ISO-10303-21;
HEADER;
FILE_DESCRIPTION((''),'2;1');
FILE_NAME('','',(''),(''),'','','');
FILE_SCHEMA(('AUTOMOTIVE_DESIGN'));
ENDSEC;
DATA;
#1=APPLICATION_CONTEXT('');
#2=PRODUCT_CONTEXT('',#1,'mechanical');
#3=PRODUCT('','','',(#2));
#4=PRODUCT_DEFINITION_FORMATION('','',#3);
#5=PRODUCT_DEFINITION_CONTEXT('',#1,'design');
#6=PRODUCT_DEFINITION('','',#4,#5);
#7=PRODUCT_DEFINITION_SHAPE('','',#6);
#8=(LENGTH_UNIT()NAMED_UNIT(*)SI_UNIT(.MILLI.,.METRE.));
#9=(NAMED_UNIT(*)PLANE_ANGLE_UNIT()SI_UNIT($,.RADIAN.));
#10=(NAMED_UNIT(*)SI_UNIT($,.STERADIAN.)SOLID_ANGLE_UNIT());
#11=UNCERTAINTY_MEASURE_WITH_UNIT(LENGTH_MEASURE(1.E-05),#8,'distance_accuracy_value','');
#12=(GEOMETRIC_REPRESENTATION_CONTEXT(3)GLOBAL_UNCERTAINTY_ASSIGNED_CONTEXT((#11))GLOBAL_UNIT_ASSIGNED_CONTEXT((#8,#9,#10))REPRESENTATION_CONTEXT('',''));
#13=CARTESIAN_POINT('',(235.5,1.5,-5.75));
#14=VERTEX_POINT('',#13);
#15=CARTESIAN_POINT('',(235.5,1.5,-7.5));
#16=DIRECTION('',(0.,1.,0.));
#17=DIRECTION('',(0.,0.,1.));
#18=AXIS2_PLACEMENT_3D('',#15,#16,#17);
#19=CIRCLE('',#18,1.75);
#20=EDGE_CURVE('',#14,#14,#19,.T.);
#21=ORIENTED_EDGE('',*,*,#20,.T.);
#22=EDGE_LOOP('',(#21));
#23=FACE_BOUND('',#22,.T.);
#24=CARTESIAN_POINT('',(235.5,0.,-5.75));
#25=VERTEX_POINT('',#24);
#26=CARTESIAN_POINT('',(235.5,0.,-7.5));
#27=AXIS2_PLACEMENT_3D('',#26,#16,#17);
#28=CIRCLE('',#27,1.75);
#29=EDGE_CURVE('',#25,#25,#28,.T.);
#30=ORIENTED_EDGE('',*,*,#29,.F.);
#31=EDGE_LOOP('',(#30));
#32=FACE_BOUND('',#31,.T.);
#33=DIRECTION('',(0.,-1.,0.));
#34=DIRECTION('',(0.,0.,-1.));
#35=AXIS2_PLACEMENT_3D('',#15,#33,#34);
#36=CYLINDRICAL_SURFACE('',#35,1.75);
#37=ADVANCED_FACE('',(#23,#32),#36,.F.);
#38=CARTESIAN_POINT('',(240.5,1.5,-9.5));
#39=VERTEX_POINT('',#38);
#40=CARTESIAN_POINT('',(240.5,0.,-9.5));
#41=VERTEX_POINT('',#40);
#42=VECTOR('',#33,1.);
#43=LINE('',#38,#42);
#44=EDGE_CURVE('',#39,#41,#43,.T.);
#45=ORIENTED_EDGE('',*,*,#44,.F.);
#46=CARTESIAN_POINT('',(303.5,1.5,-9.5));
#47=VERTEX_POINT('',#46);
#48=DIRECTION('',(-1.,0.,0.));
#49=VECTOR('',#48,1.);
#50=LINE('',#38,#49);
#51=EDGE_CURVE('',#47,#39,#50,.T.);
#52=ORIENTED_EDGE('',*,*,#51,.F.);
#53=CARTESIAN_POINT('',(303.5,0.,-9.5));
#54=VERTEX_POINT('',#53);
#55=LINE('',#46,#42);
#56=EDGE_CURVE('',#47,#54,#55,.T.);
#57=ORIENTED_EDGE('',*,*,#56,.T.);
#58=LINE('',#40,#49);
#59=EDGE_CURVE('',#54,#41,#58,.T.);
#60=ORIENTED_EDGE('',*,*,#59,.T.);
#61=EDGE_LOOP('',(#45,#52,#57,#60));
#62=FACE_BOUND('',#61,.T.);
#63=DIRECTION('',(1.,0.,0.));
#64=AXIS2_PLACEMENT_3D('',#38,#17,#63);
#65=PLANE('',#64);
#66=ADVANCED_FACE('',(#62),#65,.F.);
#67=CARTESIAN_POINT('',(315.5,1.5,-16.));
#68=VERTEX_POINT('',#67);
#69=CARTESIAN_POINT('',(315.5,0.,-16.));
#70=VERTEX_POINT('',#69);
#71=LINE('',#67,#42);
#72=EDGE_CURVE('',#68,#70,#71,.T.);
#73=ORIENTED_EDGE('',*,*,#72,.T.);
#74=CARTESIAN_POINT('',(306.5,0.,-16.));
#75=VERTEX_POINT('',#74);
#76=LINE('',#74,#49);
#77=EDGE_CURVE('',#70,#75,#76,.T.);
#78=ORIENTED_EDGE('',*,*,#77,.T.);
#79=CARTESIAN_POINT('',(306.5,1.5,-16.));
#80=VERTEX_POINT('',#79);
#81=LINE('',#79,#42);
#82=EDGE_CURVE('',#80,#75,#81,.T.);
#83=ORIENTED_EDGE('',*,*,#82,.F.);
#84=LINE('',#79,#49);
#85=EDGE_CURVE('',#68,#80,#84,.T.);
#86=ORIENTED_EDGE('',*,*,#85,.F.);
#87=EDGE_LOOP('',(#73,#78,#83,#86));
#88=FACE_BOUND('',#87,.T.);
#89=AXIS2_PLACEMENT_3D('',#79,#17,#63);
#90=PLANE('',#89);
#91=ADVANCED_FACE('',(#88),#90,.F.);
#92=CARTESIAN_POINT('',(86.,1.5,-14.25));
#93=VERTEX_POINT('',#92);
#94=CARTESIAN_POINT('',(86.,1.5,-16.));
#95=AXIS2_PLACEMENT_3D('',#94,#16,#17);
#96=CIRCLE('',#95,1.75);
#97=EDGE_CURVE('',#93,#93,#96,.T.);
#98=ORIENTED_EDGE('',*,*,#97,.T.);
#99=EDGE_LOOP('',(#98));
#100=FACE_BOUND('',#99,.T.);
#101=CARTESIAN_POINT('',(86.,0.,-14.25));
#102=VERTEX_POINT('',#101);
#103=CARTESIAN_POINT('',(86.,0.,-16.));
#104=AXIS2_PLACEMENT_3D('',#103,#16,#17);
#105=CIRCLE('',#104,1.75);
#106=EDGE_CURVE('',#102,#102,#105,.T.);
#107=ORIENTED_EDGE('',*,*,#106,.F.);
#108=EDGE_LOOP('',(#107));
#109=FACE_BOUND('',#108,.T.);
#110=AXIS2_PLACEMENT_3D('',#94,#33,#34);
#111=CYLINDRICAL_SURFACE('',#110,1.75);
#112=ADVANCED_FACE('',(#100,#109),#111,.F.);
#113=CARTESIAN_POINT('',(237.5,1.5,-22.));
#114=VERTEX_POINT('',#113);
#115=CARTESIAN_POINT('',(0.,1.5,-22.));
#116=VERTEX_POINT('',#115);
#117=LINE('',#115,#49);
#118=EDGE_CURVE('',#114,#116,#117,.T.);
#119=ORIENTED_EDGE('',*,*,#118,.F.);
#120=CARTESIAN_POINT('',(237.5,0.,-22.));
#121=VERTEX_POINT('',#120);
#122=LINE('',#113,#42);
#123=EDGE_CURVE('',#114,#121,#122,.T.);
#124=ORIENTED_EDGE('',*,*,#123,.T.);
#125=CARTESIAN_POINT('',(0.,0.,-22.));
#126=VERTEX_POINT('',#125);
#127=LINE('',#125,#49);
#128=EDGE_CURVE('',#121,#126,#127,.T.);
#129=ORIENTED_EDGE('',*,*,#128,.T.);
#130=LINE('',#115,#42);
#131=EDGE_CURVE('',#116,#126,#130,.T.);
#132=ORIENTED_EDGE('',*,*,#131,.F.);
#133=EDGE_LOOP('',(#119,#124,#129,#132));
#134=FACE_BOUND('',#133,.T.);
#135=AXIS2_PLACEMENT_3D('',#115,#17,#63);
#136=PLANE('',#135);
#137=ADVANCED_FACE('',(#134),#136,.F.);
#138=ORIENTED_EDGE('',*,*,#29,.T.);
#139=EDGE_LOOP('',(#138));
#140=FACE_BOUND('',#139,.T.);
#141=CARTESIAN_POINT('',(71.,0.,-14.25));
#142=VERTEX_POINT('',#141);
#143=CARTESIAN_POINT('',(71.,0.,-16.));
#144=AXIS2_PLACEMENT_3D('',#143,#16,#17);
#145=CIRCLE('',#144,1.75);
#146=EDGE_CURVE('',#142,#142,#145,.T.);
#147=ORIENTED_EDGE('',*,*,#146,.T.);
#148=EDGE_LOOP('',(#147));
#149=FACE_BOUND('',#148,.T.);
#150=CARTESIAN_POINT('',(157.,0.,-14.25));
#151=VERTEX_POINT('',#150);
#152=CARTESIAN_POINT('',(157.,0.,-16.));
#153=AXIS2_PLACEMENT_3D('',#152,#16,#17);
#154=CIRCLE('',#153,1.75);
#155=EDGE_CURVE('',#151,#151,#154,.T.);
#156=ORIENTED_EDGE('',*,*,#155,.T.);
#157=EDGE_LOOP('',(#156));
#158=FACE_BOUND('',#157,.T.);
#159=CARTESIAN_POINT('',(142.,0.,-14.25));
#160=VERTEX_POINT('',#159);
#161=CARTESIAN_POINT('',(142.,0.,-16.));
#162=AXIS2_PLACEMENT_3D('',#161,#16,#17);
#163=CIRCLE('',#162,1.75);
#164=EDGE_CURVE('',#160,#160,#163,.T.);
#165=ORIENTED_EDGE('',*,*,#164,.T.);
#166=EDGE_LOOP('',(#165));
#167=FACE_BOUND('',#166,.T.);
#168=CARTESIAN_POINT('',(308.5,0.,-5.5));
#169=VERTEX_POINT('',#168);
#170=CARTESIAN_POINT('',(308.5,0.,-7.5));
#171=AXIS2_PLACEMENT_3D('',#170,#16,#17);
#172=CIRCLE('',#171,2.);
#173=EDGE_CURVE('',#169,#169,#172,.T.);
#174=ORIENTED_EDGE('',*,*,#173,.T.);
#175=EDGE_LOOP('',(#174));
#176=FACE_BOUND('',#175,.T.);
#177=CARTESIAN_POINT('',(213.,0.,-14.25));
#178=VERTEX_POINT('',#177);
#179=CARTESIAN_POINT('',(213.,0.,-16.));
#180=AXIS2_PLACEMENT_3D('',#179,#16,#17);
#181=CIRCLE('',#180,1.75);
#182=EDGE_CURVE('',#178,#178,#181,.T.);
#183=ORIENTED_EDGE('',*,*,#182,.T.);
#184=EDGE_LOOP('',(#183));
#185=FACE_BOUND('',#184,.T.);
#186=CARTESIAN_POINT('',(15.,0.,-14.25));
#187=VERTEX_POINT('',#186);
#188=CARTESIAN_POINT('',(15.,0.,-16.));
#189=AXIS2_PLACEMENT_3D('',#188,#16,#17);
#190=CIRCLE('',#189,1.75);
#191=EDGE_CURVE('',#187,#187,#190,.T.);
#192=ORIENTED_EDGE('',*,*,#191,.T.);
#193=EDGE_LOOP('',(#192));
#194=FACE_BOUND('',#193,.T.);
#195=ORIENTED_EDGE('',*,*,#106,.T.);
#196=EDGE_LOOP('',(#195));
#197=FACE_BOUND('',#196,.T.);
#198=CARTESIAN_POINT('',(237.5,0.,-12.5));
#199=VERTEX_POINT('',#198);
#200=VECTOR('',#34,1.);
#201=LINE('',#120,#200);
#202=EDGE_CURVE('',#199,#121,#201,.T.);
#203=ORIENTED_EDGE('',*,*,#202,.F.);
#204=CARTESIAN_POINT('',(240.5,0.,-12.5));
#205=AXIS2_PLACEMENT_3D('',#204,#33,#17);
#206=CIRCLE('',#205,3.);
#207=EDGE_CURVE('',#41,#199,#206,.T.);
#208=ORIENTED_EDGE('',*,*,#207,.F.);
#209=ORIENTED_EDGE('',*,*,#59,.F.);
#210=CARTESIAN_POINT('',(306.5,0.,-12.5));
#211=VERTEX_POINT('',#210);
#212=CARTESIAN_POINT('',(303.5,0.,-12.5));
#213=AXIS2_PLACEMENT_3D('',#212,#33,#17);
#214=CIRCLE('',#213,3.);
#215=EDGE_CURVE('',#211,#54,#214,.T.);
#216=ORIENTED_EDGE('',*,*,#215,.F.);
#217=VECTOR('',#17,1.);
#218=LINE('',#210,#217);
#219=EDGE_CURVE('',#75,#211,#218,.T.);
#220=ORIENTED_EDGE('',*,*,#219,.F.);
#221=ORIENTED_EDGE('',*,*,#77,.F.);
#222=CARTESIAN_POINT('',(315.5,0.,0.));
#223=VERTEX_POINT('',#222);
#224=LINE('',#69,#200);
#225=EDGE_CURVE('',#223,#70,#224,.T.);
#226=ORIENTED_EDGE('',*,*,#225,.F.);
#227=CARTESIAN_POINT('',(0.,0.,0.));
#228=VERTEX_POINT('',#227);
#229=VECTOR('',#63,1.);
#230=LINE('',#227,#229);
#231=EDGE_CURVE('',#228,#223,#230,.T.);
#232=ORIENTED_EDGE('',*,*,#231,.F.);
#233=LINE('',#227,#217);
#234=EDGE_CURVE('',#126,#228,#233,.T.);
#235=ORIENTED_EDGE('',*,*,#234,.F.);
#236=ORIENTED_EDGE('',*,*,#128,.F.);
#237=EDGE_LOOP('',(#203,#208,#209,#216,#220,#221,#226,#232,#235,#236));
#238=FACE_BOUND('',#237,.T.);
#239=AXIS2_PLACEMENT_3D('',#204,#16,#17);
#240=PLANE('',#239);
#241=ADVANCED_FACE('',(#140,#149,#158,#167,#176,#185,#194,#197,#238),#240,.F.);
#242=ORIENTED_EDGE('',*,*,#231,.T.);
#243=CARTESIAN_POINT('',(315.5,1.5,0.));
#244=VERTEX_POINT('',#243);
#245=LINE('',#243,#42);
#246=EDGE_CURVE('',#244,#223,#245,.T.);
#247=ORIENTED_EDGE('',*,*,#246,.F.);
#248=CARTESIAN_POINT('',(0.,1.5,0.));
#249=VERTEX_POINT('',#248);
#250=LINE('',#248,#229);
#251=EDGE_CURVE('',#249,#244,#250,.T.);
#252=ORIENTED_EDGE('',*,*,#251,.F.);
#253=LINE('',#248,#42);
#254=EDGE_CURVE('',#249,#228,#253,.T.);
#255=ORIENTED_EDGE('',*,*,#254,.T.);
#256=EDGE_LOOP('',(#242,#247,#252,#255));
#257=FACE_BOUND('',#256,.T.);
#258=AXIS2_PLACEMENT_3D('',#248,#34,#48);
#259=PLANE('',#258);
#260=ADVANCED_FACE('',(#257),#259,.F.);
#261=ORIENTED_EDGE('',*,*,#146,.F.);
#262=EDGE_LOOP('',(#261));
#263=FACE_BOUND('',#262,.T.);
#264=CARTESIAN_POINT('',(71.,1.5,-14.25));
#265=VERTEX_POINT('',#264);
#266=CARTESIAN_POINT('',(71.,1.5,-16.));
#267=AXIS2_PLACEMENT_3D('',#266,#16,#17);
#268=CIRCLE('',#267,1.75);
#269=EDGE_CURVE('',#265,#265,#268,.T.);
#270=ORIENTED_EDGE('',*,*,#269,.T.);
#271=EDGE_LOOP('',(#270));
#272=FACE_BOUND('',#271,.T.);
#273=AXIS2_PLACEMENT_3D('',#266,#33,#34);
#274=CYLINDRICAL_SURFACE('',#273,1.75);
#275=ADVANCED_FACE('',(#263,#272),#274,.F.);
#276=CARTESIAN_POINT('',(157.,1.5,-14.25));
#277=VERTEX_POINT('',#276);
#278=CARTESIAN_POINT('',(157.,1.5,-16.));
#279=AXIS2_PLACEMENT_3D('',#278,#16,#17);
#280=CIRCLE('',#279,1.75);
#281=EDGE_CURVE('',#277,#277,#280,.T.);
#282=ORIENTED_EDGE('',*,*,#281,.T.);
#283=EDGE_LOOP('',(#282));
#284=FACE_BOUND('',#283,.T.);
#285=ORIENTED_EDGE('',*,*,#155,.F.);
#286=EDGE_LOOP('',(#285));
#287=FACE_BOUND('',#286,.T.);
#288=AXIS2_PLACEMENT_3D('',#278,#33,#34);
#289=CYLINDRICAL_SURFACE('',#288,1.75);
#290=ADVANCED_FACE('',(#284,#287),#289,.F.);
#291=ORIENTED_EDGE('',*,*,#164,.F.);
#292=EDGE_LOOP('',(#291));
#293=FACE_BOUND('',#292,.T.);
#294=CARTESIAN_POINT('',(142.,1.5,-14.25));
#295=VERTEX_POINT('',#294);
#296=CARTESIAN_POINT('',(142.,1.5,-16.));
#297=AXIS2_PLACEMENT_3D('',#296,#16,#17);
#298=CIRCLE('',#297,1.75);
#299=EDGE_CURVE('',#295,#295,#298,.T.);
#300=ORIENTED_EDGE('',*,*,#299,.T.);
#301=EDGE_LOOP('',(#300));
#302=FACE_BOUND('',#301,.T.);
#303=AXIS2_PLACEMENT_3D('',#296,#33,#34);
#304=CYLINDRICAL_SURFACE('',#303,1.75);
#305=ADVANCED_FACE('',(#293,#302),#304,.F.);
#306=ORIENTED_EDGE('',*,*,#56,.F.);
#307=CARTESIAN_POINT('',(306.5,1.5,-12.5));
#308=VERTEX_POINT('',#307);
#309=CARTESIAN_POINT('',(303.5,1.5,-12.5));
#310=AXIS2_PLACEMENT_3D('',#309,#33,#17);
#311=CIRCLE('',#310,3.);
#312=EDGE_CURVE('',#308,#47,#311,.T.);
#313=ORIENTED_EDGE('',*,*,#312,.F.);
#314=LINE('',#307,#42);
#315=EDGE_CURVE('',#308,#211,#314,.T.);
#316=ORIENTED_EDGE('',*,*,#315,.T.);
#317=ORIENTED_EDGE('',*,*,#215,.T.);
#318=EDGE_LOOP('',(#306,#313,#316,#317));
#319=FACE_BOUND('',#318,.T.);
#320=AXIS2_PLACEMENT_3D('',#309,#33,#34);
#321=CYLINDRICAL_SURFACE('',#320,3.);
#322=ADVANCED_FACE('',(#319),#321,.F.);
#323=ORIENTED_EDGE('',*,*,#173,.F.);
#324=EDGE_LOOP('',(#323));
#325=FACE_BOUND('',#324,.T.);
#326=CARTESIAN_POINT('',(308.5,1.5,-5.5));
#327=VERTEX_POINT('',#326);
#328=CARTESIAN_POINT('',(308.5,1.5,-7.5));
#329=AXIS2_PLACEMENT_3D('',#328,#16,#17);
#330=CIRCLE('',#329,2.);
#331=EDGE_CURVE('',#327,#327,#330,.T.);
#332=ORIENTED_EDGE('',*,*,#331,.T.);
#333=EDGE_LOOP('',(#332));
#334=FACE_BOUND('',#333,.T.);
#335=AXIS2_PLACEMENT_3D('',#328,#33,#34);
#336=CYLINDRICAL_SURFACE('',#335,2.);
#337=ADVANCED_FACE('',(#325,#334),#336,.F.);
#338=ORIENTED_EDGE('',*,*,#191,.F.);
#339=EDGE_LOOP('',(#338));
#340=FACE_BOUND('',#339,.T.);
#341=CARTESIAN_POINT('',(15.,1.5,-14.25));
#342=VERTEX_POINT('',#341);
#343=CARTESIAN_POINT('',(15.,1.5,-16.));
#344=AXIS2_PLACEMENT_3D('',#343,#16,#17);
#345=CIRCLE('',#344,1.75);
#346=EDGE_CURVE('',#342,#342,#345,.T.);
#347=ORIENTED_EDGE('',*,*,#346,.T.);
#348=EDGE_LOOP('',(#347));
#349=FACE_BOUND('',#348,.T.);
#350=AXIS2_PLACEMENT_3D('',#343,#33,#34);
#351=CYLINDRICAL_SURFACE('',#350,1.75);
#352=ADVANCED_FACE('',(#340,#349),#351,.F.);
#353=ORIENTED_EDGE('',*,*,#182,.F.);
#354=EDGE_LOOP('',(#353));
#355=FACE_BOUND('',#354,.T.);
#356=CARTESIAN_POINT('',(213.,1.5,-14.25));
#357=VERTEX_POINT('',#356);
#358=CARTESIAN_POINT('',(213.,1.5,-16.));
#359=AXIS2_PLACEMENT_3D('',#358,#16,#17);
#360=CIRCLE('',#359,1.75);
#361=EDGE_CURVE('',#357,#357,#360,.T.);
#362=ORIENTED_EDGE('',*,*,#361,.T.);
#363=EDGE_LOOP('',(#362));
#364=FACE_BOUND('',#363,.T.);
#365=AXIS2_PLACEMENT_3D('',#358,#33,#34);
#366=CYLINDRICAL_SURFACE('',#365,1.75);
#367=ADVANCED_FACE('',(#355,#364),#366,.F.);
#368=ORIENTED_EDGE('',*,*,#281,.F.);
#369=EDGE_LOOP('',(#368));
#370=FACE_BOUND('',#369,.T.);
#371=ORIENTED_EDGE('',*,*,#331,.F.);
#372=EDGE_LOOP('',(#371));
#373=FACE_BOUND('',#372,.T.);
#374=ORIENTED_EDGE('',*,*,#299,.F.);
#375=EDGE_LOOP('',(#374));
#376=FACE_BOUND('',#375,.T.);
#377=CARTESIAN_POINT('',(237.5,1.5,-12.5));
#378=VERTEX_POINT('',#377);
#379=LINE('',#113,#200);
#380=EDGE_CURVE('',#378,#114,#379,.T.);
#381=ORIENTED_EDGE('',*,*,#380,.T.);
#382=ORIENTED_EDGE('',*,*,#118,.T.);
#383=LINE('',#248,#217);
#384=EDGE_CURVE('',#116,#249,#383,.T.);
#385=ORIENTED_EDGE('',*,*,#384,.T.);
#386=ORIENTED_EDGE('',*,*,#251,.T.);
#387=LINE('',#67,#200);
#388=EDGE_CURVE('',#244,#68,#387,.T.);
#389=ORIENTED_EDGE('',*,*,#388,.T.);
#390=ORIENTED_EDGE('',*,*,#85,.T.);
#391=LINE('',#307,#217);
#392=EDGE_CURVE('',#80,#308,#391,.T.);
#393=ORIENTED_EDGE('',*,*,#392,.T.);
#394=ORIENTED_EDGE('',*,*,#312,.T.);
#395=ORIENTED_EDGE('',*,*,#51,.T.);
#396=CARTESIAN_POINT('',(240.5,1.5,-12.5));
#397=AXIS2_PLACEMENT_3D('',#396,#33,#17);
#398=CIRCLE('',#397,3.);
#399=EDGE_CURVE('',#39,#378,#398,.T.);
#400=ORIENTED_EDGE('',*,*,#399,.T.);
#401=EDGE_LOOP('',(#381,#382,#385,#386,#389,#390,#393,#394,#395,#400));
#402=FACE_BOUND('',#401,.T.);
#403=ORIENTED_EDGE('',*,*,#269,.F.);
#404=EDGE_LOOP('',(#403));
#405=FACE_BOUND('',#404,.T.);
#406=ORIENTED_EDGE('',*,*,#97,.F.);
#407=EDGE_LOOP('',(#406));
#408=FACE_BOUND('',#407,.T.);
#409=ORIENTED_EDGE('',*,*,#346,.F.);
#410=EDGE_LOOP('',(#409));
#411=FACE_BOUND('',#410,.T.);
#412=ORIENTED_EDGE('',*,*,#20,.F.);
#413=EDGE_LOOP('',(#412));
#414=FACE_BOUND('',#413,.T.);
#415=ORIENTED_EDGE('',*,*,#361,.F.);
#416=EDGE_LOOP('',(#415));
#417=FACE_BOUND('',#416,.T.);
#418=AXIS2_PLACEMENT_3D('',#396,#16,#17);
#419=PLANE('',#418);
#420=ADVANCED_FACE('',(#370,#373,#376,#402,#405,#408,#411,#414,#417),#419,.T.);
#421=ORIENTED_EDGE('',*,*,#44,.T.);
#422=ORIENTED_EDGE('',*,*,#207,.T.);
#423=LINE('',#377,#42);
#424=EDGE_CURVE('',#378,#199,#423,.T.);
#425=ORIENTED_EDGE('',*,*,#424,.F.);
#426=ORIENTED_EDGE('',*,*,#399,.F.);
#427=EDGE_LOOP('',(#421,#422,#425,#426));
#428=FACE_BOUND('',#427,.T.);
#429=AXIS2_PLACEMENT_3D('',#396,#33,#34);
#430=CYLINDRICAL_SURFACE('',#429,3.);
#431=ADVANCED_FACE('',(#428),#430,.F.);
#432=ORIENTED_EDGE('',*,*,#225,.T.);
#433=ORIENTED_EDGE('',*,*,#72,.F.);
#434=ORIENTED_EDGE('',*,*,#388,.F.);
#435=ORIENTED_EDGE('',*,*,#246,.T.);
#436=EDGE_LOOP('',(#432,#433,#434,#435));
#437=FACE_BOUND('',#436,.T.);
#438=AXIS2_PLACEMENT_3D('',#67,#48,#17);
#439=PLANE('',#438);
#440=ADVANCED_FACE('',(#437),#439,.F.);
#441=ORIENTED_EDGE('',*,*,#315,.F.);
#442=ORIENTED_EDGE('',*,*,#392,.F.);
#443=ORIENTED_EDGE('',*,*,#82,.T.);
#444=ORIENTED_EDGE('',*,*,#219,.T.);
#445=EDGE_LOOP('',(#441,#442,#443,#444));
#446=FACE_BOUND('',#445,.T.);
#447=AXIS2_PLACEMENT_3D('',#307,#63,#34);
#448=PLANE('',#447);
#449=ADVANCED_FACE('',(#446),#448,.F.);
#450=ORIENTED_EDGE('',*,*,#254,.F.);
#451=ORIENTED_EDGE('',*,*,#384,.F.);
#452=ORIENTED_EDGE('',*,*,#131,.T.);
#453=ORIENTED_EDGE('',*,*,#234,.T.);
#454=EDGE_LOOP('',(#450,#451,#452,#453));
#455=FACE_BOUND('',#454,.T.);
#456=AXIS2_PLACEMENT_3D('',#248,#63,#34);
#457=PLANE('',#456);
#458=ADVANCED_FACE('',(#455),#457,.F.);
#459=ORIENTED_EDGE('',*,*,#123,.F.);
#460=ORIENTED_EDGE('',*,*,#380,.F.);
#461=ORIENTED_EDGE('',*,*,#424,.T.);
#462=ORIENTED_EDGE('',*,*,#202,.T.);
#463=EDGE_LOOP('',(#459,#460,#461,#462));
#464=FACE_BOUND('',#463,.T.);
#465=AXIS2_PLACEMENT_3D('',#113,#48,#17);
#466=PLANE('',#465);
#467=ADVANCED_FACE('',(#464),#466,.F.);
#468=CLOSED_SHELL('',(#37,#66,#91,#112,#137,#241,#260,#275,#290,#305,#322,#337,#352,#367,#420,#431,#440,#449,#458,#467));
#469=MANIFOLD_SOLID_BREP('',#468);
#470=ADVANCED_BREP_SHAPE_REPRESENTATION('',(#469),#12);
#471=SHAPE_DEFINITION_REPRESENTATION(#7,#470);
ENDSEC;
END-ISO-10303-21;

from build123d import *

# Parameters (mm, degrees)
SKETCH_1_R      = 1.75
SKETCH_1_R_2    = 2
EXTRUDE_1_DEPTH = 1.5


with BuildPart() as part:
    # Эскиз1 → Бобышка-Вытянуть1 (new body)
    with BuildSketch(Plane(origin=(0, 0, 0), x_dir=(1, 0, 0), z_dir=(0, 1, 0))):
        with BuildLine():
            Line((237.5, 12.5), (237.5, 22))
            Line((237.5, 22), (0, 22))
            Line((0, 22), (0, 0))
            Line((0, 0), (315.5, 0))
            Line((315.5, 0), (315.5, 16))
            Line((315.5, 16), (306.5, 16))
            Line((306.5, 16), (306.5, 12.5))
            ThreePointArc((306.5, 12.5), (305.621320344, 10.378679656), (303.5, 9.5))
            Line((303.5, 9.5), (240.5, 9.5))
            ThreePointArc((240.5, 9.5), (238.378679656, 10.378679656), (237.5, 12.5))
        make_face()
        with Locations((235.5, 7.5)):
            Circle(SKETCH_1_R, mode=Mode.SUBTRACT)
        with Locations((308.5, 7.5)):
            Circle(SKETCH_1_R_2, mode=Mode.SUBTRACT)
        with Locations((15, 16)):
            Circle(SKETCH_1_R, mode=Mode.SUBTRACT)
        with Locations((71, 16)):
            Circle(SKETCH_1_R, mode=Mode.SUBTRACT)
        with Locations((86, 16)):
            Circle(SKETCH_1_R, mode=Mode.SUBTRACT)
        with Locations((142, 16)):
            Circle(SKETCH_1_R, mode=Mode.SUBTRACT)
        with Locations((157, 16)):
            Circle(SKETCH_1_R, mode=Mode.SUBTRACT)
        with Locations((213, 16)):
            Circle(SKETCH_1_R, mode=Mode.SUBTRACT)
    extrude(amount=EXTRUDE_1_DEPTH)


solid = part.part
